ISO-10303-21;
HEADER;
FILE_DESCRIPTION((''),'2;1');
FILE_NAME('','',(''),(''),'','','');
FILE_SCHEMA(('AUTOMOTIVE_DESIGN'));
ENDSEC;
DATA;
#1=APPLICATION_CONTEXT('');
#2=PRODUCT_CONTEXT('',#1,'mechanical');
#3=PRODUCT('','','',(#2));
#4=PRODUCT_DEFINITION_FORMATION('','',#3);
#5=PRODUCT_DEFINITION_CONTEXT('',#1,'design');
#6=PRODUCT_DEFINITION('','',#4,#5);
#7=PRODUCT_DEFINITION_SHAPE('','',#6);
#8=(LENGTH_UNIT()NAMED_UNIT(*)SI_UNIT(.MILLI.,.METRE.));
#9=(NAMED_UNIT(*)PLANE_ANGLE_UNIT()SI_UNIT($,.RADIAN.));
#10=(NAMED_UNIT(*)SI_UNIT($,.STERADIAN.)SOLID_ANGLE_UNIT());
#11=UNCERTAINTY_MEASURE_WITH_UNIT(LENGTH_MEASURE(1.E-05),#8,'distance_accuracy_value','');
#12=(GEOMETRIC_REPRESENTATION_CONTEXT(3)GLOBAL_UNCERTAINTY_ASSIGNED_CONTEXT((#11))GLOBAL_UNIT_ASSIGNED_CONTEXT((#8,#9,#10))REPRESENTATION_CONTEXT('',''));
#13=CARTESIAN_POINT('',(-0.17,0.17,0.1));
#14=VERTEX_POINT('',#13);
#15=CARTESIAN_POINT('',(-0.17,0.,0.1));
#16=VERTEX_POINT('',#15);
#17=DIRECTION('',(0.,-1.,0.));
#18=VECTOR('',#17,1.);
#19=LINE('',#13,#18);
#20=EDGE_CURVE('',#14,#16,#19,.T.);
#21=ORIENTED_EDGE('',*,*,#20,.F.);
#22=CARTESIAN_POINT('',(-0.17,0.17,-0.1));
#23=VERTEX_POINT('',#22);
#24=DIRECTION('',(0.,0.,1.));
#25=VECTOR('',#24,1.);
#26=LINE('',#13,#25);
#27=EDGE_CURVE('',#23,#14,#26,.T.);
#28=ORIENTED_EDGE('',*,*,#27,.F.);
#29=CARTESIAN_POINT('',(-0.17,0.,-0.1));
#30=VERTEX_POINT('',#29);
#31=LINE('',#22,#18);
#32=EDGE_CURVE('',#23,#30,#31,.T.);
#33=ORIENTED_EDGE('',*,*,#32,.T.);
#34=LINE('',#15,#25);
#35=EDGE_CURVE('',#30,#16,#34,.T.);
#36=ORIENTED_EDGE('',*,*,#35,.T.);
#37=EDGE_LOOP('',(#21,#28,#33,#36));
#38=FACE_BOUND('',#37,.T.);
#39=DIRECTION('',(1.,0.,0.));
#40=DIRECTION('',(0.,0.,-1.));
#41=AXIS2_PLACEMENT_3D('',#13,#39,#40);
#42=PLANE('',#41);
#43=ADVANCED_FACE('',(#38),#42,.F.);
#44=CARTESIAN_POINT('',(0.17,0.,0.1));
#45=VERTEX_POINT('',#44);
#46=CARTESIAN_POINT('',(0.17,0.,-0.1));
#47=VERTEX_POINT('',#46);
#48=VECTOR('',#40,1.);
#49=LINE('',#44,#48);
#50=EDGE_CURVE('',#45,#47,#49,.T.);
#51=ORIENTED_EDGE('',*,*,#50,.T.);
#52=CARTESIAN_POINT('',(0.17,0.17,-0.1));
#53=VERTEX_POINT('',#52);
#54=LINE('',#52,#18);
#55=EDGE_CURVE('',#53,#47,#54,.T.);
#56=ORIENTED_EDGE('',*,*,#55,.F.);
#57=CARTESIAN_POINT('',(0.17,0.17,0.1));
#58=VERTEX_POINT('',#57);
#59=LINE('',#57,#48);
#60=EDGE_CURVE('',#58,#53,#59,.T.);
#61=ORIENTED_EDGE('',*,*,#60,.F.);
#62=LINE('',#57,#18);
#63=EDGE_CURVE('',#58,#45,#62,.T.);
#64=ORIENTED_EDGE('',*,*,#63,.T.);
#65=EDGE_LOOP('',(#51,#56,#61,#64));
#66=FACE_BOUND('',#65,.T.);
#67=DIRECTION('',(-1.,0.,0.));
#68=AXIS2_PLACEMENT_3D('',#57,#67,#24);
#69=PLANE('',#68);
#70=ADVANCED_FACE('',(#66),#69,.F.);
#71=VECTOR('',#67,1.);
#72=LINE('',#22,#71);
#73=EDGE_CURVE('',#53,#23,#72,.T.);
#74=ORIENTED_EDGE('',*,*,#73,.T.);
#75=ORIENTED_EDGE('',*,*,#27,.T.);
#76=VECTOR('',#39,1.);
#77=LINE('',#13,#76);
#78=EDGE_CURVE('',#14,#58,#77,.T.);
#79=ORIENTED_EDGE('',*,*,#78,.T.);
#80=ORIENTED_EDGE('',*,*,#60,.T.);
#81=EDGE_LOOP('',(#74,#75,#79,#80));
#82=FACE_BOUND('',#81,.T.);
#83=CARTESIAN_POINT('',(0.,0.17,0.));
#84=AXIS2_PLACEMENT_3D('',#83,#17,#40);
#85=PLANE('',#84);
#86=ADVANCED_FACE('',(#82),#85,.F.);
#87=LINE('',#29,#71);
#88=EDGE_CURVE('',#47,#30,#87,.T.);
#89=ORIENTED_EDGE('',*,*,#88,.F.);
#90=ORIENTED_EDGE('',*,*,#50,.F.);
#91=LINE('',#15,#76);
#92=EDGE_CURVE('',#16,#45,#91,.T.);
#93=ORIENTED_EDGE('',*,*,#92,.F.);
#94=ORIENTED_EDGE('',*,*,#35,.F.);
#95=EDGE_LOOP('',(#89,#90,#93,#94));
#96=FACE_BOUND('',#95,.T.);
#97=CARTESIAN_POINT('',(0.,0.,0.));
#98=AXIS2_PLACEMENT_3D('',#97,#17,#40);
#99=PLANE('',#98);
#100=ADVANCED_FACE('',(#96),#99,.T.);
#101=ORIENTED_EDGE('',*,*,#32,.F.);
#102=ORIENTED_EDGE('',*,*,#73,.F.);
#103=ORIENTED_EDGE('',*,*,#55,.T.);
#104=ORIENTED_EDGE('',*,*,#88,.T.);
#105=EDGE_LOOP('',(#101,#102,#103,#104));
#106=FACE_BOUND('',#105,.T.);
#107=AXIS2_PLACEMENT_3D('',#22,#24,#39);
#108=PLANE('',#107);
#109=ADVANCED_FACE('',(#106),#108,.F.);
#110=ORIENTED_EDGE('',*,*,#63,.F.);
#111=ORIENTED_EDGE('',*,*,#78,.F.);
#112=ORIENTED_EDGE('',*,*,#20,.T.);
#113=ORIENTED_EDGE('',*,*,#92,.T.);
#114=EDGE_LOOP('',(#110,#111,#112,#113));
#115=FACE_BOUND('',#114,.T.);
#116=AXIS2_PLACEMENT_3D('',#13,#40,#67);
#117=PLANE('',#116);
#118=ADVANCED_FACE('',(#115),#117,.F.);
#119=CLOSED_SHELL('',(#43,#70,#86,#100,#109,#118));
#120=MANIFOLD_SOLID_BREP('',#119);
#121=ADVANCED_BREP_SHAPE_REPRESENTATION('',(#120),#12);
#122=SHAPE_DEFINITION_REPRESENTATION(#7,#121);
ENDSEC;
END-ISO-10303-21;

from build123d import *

# Parameters (mm, degrees)
SKETCH1_W           = 0.34
SKETCH1_H           = 0.2
BOSS_EXTRUDE1_DEPTH = 0.17


with BuildPart() as part:
    # Sketch1 → Boss-Extrude1 (new body)
    with BuildSketch(Plane(origin=(0, 0, 0), x_dir=(1, 0, 0), z_dir=(0, 1, 0))):
        Rectangle(SKETCH1_W, SKETCH1_H)
    extrude(amount=BOSS_EXTRUDE1_DEPTH)


solid = part.part
